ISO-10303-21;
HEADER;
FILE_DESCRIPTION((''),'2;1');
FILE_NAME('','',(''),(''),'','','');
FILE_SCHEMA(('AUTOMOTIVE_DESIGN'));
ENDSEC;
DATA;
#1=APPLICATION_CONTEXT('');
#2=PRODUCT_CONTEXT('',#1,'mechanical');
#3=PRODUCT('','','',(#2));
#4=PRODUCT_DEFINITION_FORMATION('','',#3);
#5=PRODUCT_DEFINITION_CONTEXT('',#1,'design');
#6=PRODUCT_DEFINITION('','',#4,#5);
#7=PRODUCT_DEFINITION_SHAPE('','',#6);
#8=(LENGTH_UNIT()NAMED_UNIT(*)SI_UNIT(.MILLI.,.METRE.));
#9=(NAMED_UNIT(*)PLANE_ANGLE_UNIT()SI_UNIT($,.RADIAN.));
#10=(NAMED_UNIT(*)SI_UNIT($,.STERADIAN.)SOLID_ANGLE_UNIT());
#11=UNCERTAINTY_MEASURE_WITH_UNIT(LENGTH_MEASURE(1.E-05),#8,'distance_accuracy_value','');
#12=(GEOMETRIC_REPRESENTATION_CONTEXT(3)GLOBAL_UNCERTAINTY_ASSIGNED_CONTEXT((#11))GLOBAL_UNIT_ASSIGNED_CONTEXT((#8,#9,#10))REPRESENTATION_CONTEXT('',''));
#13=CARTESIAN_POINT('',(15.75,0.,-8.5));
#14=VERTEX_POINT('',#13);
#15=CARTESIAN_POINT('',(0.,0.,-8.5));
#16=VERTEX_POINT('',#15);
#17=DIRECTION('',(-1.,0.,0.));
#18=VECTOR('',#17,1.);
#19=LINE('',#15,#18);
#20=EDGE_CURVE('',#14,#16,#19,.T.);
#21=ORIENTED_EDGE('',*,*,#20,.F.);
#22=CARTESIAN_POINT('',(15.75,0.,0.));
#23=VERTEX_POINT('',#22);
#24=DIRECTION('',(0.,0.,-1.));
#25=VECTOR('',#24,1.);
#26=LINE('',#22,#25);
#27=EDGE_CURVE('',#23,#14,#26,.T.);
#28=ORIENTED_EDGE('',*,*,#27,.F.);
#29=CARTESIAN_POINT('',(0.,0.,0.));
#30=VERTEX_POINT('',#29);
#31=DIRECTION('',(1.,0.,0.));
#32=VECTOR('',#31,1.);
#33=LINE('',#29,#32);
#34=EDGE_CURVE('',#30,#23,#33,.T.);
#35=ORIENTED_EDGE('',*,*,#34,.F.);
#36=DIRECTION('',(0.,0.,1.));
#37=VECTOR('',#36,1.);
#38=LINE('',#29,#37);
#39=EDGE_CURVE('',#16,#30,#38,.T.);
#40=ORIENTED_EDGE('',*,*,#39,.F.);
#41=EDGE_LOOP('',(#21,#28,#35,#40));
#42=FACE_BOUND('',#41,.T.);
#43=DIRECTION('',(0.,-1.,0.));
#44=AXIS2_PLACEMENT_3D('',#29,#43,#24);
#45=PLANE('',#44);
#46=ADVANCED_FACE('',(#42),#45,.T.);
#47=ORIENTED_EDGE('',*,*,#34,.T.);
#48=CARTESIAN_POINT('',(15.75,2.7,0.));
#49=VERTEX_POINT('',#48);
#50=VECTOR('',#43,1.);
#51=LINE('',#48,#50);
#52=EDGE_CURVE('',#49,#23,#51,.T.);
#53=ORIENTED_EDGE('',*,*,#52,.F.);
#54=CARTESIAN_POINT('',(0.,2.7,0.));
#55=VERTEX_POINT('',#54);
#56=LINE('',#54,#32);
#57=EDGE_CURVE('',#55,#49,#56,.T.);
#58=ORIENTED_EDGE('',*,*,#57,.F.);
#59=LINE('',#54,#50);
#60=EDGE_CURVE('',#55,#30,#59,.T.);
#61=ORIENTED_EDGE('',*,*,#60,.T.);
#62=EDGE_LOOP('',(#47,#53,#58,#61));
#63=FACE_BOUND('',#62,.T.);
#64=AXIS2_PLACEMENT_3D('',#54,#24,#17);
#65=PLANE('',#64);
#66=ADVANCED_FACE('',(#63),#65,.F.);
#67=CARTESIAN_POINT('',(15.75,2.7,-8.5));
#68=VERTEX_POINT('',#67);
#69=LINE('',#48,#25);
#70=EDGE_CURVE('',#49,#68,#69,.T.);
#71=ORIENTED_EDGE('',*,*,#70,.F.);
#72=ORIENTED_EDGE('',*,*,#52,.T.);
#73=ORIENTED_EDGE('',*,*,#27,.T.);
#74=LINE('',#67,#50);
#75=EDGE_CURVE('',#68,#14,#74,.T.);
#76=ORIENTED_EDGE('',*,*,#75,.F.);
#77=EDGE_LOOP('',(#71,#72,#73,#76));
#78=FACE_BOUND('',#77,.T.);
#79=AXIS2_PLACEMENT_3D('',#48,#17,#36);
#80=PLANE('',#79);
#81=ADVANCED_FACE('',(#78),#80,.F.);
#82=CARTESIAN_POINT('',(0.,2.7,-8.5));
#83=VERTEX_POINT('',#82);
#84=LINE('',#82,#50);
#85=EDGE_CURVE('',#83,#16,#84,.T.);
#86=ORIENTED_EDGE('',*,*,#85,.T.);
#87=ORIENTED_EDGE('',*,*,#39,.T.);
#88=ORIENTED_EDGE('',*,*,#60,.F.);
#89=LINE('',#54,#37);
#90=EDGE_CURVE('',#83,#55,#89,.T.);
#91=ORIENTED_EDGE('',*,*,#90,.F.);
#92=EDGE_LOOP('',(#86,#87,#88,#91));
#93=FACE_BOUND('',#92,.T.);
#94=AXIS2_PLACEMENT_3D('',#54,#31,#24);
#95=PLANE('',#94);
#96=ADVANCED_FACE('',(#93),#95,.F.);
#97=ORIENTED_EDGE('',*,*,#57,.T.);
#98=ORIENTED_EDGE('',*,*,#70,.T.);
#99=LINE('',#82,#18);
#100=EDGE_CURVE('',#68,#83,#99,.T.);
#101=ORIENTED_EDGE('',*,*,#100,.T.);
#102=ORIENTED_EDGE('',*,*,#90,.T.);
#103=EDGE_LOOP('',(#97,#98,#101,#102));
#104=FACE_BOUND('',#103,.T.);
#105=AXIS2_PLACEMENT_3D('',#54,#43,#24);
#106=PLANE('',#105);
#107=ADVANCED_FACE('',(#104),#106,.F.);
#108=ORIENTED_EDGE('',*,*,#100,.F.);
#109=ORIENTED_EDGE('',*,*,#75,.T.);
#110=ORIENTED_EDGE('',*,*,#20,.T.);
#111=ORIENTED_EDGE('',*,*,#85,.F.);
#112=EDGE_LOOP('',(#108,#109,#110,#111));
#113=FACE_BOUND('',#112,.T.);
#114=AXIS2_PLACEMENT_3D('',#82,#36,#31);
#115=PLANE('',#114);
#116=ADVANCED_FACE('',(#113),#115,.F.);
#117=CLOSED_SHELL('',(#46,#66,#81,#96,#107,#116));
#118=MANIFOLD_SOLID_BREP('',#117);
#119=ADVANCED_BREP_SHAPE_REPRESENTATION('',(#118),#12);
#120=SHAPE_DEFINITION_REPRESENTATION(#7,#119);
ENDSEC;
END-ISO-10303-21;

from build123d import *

# Parameters (mm, degrees)
SPH_SKETCH_W      = 15.75
SPH_SKETCH_H      = 8.5
SPH_EXTRUDE_DEPTH = 2.7


with BuildPart() as part:
    # SPH Sketch → SPH Extrude (new body)
    with BuildSketch(Plane(origin=(0, 0, 0), x_dir=(1, 0, 0), z_dir=(0, 1, 0))):
        with Locations((7.875, 4.25)):
            Rectangle(SPH_SKETCH_W, SPH_SKETCH_H)
    extrude(amount=SPH_EXTRUDE_DEPTH)


solid = part.part
